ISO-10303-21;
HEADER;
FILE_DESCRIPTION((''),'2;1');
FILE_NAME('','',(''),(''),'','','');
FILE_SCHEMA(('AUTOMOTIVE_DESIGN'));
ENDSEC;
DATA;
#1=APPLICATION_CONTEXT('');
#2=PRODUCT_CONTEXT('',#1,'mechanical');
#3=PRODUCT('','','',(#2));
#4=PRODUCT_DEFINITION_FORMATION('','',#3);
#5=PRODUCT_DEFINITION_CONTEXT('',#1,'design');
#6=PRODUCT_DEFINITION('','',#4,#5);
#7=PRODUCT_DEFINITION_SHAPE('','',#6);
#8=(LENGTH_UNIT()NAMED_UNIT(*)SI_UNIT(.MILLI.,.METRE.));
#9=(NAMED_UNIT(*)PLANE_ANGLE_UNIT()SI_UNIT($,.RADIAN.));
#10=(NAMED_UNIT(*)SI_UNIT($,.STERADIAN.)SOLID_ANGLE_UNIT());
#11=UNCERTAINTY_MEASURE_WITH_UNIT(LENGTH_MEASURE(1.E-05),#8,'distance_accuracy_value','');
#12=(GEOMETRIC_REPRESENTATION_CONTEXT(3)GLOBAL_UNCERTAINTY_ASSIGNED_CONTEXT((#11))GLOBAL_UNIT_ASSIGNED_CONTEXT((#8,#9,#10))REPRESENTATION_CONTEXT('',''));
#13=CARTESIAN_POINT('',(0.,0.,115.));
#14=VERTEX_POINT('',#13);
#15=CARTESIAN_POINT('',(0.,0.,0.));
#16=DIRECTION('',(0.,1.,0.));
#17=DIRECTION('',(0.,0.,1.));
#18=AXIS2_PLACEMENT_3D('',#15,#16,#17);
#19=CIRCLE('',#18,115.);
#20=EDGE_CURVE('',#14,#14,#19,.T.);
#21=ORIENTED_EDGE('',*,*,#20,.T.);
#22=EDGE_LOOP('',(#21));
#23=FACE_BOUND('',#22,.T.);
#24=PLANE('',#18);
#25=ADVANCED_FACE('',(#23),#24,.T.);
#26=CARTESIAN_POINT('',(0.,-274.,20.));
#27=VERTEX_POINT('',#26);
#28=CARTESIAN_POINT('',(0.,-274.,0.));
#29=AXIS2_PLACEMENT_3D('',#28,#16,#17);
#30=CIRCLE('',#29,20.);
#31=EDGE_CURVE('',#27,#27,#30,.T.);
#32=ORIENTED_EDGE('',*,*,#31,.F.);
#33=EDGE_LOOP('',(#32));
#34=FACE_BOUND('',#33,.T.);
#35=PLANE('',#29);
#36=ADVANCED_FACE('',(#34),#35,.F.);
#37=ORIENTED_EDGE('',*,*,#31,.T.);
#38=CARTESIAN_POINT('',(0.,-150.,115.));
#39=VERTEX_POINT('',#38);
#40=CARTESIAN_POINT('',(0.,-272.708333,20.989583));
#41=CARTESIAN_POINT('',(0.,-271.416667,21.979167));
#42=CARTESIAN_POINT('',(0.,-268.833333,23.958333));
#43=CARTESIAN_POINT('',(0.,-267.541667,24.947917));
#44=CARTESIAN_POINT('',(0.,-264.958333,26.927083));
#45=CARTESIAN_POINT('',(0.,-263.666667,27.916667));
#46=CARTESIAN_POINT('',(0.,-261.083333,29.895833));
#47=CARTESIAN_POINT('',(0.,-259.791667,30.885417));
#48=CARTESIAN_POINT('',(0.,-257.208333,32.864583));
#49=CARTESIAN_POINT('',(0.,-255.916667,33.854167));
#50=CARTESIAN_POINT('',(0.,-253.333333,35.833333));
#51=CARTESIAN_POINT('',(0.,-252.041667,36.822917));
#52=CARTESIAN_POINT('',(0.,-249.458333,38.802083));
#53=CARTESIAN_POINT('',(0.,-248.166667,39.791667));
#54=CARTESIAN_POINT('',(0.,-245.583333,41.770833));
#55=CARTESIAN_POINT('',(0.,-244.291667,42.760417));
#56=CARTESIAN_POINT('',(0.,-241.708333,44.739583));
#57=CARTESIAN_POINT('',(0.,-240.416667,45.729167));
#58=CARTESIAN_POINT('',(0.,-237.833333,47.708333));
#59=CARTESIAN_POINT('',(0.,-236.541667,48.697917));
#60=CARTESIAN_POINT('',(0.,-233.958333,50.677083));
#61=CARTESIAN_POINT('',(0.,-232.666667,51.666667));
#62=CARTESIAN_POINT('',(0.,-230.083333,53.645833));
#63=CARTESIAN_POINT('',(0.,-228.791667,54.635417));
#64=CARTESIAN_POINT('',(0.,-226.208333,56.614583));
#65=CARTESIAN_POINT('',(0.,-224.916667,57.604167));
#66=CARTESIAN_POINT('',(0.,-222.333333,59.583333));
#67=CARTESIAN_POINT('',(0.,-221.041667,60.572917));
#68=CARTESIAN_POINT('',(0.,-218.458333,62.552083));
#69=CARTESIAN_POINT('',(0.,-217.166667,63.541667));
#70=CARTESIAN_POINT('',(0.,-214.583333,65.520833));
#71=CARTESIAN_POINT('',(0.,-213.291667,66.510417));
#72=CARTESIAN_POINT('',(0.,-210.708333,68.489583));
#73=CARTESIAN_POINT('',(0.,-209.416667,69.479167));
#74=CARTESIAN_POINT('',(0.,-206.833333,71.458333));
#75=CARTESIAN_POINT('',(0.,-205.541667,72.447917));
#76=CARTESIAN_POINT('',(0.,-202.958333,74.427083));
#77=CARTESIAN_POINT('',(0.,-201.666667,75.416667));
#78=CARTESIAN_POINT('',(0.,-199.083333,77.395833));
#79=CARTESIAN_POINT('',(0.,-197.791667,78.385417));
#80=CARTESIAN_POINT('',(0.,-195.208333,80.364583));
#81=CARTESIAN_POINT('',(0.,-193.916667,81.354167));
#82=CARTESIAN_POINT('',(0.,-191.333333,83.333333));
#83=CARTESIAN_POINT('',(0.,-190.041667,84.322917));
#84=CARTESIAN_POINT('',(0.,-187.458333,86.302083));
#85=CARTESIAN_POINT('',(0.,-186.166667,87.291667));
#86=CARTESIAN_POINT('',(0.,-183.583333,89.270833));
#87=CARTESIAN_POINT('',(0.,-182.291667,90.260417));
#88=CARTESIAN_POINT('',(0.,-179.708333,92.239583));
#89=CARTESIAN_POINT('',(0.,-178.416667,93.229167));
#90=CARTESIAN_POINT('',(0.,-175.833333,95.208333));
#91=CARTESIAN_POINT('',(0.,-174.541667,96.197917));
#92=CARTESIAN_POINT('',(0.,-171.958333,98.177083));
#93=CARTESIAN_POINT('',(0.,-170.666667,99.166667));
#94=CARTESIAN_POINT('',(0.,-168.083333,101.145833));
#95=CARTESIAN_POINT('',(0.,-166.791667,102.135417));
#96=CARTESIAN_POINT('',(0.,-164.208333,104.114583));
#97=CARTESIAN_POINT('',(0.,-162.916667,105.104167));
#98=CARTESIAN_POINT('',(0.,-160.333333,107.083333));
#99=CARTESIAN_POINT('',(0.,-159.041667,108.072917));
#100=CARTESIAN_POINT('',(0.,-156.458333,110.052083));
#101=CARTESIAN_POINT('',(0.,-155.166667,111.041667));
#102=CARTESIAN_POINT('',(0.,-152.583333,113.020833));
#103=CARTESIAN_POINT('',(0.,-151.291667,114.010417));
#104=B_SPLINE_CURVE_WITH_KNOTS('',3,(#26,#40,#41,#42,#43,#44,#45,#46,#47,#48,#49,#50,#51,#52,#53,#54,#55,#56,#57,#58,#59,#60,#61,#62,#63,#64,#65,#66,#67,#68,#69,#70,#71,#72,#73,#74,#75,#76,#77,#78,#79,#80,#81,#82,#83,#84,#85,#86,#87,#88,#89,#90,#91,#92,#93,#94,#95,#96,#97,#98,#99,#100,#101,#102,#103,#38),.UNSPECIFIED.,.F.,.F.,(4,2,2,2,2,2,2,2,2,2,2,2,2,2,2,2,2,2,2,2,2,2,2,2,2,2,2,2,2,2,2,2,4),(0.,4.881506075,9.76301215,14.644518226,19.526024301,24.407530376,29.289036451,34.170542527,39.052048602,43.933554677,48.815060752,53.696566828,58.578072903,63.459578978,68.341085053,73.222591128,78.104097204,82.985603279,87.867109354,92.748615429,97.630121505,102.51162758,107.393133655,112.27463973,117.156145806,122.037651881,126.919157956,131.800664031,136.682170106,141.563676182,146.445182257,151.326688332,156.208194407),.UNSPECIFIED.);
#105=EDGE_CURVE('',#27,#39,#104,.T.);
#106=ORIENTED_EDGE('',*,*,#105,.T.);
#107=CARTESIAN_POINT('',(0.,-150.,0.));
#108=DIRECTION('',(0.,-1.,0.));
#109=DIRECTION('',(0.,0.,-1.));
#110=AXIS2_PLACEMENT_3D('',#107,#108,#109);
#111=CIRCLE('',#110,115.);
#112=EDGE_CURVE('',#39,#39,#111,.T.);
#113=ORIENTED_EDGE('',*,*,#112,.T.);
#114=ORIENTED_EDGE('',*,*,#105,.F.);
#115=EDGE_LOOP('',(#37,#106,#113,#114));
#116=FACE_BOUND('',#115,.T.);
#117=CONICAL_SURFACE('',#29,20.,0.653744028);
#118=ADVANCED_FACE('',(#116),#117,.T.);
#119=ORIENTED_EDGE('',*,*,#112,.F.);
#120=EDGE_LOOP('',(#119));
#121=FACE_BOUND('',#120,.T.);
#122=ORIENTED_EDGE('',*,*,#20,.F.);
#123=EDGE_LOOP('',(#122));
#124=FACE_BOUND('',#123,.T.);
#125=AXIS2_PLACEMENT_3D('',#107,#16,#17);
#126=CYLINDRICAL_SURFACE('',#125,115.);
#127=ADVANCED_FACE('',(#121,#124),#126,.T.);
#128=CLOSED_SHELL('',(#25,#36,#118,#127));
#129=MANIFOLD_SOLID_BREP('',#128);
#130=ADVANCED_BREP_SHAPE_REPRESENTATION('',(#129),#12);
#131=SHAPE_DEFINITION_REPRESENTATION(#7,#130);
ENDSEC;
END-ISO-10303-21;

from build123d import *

# Parameters (mm, degrees)
CROQUIS1_R              = 115
SALIENTE_EXTRUIR1_DEPTH = 150
CROQUIS3_R              = 20
CROQUIS2_R              = 115


with BuildPart() as part:
    # Croquis1 → Saliente-Extruir1 (new body)
    with BuildSketch(Plane(origin=(0, 0, 0), x_dir=(1, 0, 0), z_dir=(0, 1, 0))):
        with Locations(Location((0, 0, 0), (0, 0, 270))):
            Circle(CROQUIS1_R)
    extrude(amount=-SALIENTE_EXTRUIR1_DEPTH)

    # Croquis3 → Recubrir1 section 0
    with BuildSketch(Plane(origin=(0, -274, 0), x_dir=(1, 0, 0), z_dir=(0, 1, 0))):
        Circle(CROQUIS3_R)
    # Croquis2 → Recubrir1 section 1
    with BuildSketch(Plane.XZ.offset(150)):
        Circle(CROQUIS2_R)
    loft()


solid = part.part
